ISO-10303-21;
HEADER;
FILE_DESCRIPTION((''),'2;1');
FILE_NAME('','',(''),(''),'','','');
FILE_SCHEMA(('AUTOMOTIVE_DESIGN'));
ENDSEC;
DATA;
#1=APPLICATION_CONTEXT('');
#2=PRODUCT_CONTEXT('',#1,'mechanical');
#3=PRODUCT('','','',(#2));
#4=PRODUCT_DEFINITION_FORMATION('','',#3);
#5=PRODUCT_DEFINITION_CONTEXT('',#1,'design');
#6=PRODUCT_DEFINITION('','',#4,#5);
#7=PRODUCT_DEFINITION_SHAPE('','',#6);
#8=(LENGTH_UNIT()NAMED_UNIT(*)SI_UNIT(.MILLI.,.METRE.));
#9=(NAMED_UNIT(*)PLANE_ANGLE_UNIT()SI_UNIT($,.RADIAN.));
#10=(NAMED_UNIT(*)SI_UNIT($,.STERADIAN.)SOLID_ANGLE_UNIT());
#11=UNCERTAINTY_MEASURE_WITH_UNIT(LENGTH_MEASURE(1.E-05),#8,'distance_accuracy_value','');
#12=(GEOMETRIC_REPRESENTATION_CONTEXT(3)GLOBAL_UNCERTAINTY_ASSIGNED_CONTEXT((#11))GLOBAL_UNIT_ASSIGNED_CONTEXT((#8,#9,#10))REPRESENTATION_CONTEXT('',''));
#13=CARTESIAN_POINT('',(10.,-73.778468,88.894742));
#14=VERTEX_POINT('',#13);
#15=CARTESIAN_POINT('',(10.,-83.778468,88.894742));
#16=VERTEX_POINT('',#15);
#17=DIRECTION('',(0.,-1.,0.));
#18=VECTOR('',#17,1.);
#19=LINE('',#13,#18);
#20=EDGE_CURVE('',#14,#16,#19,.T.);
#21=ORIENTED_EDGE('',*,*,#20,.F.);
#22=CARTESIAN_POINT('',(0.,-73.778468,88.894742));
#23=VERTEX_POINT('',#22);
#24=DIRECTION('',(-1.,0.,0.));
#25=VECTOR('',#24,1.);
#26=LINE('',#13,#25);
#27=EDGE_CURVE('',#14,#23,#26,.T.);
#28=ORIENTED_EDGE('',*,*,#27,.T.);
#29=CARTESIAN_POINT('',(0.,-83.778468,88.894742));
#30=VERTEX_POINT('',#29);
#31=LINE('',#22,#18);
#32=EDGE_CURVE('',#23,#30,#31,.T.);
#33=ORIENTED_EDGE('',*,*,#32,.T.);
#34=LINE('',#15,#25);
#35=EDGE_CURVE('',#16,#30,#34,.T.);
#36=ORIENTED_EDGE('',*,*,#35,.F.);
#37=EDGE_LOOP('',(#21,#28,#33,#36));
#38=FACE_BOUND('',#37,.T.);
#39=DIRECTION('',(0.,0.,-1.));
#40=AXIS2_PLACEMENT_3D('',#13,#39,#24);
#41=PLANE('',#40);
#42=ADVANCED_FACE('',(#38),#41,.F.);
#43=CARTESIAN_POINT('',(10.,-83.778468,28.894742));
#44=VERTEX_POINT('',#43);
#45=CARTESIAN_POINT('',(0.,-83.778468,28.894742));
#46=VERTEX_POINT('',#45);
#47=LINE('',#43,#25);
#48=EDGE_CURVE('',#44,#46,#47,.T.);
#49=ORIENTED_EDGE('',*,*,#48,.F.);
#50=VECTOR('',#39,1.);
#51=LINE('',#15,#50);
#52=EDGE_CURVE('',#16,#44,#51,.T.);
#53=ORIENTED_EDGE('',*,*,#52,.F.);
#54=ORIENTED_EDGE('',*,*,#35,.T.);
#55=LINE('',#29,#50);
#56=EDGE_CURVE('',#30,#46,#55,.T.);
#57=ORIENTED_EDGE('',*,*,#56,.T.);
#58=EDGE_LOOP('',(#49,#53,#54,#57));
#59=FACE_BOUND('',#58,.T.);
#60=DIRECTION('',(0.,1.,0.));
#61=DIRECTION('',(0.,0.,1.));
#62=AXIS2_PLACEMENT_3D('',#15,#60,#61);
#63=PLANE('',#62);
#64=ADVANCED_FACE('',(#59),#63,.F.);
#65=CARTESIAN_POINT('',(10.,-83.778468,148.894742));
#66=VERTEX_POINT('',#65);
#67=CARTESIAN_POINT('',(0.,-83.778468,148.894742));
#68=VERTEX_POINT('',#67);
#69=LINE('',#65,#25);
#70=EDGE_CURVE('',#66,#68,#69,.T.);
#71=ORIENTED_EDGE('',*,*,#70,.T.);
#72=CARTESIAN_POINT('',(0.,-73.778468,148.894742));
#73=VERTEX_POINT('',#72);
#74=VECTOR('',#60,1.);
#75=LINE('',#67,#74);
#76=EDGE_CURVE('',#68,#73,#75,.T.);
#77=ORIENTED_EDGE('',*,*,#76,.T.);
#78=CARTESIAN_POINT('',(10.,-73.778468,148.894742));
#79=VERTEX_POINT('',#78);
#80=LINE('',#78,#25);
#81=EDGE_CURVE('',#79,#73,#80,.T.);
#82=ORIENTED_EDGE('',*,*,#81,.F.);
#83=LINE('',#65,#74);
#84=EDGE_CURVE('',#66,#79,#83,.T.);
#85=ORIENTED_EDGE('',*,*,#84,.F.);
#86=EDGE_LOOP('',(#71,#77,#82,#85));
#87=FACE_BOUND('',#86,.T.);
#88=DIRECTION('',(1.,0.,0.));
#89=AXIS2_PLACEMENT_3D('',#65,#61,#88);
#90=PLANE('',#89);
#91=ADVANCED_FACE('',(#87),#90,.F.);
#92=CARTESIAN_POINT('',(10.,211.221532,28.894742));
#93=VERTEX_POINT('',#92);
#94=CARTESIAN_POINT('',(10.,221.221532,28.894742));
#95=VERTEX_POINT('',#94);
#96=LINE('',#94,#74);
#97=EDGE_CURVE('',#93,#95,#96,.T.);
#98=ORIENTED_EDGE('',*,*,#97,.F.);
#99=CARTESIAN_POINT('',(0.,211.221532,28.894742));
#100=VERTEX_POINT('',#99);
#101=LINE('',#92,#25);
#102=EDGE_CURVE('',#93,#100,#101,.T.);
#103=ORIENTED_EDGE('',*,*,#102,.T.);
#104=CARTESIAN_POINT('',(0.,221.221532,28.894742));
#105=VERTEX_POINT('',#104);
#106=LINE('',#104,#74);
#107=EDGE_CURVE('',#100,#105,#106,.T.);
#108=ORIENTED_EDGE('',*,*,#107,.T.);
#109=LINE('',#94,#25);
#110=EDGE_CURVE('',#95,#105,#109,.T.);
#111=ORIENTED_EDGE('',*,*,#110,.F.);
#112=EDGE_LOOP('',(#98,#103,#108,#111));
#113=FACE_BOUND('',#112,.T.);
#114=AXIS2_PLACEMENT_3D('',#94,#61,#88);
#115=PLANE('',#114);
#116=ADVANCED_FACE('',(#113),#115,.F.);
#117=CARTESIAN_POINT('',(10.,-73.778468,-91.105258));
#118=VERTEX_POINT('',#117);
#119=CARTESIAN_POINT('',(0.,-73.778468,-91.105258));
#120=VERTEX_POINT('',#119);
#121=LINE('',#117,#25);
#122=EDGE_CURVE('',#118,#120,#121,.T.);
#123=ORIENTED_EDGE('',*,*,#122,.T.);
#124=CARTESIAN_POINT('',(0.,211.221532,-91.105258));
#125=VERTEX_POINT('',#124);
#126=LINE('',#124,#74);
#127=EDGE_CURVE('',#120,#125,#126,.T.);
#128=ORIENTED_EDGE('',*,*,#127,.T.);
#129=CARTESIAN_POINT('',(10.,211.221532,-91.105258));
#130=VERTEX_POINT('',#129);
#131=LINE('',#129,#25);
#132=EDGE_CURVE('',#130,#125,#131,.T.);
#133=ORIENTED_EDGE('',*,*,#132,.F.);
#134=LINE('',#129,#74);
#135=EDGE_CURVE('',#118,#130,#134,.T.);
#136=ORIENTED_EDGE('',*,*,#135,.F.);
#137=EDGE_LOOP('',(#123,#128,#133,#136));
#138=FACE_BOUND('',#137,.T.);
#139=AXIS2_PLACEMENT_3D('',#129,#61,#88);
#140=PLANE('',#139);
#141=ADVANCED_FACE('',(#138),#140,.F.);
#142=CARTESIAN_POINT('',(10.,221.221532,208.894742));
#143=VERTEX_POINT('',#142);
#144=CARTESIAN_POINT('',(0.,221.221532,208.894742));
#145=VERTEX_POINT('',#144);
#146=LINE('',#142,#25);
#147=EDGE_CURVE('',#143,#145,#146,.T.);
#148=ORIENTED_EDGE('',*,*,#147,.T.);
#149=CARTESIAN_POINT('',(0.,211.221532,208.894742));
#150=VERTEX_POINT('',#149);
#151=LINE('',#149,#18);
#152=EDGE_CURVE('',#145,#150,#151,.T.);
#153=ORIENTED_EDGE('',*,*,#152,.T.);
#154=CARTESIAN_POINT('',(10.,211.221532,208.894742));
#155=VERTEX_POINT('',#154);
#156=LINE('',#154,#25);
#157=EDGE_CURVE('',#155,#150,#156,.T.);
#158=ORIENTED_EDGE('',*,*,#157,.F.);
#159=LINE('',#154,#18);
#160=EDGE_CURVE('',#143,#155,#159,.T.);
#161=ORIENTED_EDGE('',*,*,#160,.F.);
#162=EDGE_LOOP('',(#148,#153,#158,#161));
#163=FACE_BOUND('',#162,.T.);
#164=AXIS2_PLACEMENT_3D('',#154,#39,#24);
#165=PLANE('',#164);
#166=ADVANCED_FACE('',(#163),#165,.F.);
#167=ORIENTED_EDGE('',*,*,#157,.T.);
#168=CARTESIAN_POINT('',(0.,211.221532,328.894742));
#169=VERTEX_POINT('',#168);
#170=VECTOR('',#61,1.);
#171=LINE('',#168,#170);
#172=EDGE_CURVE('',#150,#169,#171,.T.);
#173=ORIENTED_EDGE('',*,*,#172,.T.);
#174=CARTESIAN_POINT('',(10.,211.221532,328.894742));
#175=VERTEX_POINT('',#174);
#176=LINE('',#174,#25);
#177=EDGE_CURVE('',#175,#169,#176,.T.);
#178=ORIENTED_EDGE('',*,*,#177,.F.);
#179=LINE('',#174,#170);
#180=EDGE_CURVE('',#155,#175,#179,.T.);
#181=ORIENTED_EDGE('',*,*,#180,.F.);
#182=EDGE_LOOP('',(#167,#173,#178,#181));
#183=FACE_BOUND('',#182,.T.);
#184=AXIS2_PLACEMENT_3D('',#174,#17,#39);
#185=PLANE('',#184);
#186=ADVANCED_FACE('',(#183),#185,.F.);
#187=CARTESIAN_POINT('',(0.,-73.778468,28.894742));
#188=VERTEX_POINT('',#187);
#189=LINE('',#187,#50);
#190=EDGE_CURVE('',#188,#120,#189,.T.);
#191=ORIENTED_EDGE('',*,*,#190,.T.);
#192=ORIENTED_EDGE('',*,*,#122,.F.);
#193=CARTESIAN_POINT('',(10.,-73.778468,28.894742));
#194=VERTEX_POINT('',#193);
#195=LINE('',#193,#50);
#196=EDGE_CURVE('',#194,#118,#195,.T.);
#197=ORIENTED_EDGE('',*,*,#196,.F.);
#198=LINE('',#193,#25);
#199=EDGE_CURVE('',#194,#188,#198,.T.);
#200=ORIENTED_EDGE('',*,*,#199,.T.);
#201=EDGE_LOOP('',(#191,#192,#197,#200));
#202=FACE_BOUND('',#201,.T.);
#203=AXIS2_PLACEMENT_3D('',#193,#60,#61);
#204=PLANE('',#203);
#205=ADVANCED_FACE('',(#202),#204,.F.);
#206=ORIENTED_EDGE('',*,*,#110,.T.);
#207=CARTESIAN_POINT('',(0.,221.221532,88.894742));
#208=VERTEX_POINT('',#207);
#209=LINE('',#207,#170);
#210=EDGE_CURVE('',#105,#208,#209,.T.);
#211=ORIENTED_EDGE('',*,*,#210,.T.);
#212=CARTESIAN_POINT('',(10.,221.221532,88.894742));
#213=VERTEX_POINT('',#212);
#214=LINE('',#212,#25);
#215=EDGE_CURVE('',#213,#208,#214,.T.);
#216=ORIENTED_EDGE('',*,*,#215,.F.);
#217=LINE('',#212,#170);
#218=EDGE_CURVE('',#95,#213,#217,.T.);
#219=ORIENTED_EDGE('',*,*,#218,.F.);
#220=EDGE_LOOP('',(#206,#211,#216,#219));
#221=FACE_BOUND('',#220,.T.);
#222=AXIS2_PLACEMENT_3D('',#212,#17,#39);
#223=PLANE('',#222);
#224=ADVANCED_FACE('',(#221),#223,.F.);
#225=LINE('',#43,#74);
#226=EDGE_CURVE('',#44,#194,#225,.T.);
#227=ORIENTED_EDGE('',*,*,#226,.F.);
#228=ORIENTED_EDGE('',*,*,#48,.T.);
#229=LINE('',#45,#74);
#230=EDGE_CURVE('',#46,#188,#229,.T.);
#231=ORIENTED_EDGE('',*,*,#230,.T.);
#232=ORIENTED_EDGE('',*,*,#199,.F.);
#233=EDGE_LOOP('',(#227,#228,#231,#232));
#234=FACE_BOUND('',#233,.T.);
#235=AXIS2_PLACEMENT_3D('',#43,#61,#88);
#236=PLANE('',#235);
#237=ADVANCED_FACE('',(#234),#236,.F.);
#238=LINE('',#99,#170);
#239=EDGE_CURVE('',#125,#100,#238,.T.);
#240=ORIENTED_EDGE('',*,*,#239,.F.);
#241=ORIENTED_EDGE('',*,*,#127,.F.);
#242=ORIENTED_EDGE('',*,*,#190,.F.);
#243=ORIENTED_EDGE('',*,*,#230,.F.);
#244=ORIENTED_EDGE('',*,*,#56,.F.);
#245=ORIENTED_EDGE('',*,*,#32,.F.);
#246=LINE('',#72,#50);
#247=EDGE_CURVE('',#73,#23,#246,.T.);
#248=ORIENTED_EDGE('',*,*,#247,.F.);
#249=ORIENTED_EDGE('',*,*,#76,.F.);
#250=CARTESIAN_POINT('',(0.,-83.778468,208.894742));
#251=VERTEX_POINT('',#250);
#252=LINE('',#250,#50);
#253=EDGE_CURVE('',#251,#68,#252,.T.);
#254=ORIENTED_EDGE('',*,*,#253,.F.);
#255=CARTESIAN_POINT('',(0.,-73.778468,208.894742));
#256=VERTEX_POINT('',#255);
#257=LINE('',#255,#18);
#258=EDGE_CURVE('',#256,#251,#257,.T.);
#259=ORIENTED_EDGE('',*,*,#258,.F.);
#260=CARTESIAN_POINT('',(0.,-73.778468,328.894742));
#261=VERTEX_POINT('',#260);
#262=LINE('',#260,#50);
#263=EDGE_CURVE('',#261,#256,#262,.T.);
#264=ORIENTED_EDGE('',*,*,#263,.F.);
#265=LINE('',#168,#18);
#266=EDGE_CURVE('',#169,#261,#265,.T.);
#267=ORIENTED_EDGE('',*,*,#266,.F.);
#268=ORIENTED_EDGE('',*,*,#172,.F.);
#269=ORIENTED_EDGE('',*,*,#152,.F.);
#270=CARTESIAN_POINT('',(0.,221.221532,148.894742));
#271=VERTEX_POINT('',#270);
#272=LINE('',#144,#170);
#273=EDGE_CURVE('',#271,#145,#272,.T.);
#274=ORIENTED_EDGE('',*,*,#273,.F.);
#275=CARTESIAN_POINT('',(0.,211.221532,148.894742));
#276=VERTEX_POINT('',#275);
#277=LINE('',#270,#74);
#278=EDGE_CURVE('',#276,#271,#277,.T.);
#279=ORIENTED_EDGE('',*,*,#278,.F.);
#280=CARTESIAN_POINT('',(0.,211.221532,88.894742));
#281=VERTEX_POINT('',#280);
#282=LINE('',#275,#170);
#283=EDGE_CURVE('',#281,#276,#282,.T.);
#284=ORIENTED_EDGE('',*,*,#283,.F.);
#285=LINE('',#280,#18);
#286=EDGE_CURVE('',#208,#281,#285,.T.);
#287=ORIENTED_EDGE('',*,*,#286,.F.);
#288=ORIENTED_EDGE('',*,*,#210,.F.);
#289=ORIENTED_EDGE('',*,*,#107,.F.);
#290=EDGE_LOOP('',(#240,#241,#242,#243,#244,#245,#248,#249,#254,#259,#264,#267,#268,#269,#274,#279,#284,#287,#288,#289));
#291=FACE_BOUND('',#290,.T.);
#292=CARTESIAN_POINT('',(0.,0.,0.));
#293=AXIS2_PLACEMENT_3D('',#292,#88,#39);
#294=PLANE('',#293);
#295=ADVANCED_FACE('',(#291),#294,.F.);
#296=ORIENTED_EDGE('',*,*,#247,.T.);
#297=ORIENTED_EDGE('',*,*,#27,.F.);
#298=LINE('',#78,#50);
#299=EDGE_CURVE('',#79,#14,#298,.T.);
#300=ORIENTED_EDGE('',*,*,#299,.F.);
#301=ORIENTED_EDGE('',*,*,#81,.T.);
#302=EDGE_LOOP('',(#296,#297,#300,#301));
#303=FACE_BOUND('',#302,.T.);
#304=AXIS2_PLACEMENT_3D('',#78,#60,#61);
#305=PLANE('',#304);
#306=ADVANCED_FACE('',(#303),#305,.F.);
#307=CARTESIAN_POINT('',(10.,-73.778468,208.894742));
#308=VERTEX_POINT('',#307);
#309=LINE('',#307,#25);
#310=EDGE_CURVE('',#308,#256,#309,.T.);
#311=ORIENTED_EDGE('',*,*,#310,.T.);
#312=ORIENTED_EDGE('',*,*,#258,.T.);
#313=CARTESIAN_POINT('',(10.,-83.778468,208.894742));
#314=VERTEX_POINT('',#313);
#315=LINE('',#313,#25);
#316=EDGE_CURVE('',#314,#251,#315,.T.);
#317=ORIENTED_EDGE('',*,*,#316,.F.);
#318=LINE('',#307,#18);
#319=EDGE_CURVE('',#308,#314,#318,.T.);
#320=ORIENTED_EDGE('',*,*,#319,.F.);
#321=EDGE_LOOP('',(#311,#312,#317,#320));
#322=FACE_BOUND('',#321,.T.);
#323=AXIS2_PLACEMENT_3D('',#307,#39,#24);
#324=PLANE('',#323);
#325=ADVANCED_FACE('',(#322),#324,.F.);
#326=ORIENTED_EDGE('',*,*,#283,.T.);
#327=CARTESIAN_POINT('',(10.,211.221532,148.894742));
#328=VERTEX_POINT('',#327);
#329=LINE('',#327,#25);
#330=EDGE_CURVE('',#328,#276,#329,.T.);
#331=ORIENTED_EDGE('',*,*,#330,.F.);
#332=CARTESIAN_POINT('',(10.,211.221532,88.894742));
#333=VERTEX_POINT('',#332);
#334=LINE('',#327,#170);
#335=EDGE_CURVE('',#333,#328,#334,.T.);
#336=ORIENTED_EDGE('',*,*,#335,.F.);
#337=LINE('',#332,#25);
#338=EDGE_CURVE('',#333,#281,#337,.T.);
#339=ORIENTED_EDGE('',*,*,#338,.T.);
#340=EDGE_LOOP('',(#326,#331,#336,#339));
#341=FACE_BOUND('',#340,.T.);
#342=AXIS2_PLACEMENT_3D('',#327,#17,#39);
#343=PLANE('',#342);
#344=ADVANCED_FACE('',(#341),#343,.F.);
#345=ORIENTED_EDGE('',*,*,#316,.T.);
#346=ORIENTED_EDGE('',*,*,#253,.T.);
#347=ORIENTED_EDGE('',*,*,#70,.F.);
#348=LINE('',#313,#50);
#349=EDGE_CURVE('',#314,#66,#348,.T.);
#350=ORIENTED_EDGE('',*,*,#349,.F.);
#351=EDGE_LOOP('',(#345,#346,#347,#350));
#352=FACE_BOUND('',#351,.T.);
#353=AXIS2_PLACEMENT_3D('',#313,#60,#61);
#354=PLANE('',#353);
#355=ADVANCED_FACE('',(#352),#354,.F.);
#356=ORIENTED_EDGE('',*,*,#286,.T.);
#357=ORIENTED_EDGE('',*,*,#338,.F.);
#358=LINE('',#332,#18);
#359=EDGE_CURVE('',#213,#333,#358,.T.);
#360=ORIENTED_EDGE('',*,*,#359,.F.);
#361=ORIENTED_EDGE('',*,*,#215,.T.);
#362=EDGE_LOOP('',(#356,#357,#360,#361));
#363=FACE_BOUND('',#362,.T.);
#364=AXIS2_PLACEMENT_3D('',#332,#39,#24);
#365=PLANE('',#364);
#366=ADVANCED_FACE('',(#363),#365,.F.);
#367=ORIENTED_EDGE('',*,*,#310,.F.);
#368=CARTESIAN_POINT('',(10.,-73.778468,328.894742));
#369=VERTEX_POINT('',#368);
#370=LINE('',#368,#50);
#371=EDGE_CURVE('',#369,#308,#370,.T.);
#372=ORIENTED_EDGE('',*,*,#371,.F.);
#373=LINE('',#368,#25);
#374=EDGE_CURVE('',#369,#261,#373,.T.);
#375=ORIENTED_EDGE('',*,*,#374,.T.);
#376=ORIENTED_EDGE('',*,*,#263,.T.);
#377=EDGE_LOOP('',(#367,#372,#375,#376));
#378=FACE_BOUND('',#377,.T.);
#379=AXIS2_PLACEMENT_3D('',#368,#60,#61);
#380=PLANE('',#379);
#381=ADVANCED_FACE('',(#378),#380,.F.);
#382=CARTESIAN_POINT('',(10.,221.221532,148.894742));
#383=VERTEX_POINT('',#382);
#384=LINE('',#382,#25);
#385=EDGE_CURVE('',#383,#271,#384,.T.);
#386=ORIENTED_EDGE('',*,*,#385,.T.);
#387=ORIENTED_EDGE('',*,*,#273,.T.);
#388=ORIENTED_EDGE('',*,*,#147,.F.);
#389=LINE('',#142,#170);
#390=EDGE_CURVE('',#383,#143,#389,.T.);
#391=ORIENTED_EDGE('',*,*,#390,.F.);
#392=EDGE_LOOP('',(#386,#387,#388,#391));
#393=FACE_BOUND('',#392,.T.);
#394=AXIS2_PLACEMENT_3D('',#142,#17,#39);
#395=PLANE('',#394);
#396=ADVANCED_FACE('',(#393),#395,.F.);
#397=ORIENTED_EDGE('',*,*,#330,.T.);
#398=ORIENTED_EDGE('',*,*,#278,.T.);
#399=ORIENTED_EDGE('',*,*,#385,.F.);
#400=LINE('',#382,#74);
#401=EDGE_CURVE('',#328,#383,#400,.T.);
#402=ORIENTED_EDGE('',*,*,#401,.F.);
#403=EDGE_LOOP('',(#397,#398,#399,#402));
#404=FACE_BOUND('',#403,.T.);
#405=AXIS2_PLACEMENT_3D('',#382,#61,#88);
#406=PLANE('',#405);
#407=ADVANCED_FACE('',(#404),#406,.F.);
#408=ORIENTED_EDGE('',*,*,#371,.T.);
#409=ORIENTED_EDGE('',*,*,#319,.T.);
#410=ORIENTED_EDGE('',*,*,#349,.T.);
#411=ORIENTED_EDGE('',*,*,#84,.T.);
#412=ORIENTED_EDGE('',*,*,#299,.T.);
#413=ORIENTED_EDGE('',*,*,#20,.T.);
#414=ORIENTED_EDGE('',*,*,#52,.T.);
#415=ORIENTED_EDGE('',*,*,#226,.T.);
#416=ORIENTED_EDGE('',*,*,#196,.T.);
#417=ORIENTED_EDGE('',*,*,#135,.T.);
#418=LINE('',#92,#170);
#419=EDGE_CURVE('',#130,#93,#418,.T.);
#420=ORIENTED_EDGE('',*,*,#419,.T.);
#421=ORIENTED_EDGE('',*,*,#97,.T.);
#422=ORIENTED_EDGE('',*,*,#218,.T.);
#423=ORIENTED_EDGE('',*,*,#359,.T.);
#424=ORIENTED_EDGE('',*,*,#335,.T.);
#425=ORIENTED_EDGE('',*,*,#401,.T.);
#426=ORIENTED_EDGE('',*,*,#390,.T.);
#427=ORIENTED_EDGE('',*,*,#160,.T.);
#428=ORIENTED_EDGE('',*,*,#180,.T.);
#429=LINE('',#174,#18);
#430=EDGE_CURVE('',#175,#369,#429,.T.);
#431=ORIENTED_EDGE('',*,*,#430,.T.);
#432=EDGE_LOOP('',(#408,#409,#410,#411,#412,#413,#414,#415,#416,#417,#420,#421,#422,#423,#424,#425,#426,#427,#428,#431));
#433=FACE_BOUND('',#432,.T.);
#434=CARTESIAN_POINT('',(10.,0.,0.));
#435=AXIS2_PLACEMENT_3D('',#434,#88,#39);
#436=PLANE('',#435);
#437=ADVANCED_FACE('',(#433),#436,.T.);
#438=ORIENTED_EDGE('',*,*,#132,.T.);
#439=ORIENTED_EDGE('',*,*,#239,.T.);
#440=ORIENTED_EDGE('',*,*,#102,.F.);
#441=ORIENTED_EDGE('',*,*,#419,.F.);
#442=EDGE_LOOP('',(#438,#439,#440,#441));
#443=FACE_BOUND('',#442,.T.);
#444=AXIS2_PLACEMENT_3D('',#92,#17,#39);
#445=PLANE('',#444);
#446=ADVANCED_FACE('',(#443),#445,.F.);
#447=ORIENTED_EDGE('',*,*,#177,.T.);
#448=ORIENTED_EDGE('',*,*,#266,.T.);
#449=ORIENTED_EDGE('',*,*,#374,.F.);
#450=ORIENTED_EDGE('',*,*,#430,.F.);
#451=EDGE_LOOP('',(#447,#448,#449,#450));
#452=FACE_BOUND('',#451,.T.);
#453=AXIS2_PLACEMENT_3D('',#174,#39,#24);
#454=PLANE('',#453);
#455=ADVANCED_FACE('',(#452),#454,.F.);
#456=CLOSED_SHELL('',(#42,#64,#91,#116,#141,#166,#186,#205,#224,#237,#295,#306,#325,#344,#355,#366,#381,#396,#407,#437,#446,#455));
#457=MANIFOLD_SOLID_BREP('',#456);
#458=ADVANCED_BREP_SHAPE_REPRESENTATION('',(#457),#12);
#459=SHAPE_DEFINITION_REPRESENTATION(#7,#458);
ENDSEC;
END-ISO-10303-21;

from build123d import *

# Parameters (mm, degrees)
BOSS_EXTRUDE1_DEPTH = 10


with BuildPart() as part:
    # Sketch1 → Boss-Extrude1 (new body)
    with BuildSketch(Plane(origin=(0, 0, 0), x_dir=(0, 0, -1), z_dir=(1, 0, 0))):
        Polygon((-328.894741549, 211.221531582), (-208.894741549, 211.221531582), (-208.894741549, 221.221531582), (-148.894741549, 221.221531582), (-148.894741549, 211.221531582), (-88.894741549, 211.221531582), (-88.894741549, 221.221531582), (-28.894741549, 221.221531582), (-28.894741549, 211.221531582), (91.105258451, 211.221531582), (91.105258451, -73.778468418), (-28.894741549, -73.778468418), (-28.894741549, -83.778468418), (-88.894741549, -83.778468418), (-88.894741549, -73.778468418), (-148.894741549, -73.778468418), (-148.894741549, -83.778468418), (-208.894741549, -83.778468418), (-208.894741549, -73.778468418), (-328.894741549, -73.778468418), align=None)
    extrude(amount=BOSS_EXTRUDE1_DEPTH)


solid = part.part
